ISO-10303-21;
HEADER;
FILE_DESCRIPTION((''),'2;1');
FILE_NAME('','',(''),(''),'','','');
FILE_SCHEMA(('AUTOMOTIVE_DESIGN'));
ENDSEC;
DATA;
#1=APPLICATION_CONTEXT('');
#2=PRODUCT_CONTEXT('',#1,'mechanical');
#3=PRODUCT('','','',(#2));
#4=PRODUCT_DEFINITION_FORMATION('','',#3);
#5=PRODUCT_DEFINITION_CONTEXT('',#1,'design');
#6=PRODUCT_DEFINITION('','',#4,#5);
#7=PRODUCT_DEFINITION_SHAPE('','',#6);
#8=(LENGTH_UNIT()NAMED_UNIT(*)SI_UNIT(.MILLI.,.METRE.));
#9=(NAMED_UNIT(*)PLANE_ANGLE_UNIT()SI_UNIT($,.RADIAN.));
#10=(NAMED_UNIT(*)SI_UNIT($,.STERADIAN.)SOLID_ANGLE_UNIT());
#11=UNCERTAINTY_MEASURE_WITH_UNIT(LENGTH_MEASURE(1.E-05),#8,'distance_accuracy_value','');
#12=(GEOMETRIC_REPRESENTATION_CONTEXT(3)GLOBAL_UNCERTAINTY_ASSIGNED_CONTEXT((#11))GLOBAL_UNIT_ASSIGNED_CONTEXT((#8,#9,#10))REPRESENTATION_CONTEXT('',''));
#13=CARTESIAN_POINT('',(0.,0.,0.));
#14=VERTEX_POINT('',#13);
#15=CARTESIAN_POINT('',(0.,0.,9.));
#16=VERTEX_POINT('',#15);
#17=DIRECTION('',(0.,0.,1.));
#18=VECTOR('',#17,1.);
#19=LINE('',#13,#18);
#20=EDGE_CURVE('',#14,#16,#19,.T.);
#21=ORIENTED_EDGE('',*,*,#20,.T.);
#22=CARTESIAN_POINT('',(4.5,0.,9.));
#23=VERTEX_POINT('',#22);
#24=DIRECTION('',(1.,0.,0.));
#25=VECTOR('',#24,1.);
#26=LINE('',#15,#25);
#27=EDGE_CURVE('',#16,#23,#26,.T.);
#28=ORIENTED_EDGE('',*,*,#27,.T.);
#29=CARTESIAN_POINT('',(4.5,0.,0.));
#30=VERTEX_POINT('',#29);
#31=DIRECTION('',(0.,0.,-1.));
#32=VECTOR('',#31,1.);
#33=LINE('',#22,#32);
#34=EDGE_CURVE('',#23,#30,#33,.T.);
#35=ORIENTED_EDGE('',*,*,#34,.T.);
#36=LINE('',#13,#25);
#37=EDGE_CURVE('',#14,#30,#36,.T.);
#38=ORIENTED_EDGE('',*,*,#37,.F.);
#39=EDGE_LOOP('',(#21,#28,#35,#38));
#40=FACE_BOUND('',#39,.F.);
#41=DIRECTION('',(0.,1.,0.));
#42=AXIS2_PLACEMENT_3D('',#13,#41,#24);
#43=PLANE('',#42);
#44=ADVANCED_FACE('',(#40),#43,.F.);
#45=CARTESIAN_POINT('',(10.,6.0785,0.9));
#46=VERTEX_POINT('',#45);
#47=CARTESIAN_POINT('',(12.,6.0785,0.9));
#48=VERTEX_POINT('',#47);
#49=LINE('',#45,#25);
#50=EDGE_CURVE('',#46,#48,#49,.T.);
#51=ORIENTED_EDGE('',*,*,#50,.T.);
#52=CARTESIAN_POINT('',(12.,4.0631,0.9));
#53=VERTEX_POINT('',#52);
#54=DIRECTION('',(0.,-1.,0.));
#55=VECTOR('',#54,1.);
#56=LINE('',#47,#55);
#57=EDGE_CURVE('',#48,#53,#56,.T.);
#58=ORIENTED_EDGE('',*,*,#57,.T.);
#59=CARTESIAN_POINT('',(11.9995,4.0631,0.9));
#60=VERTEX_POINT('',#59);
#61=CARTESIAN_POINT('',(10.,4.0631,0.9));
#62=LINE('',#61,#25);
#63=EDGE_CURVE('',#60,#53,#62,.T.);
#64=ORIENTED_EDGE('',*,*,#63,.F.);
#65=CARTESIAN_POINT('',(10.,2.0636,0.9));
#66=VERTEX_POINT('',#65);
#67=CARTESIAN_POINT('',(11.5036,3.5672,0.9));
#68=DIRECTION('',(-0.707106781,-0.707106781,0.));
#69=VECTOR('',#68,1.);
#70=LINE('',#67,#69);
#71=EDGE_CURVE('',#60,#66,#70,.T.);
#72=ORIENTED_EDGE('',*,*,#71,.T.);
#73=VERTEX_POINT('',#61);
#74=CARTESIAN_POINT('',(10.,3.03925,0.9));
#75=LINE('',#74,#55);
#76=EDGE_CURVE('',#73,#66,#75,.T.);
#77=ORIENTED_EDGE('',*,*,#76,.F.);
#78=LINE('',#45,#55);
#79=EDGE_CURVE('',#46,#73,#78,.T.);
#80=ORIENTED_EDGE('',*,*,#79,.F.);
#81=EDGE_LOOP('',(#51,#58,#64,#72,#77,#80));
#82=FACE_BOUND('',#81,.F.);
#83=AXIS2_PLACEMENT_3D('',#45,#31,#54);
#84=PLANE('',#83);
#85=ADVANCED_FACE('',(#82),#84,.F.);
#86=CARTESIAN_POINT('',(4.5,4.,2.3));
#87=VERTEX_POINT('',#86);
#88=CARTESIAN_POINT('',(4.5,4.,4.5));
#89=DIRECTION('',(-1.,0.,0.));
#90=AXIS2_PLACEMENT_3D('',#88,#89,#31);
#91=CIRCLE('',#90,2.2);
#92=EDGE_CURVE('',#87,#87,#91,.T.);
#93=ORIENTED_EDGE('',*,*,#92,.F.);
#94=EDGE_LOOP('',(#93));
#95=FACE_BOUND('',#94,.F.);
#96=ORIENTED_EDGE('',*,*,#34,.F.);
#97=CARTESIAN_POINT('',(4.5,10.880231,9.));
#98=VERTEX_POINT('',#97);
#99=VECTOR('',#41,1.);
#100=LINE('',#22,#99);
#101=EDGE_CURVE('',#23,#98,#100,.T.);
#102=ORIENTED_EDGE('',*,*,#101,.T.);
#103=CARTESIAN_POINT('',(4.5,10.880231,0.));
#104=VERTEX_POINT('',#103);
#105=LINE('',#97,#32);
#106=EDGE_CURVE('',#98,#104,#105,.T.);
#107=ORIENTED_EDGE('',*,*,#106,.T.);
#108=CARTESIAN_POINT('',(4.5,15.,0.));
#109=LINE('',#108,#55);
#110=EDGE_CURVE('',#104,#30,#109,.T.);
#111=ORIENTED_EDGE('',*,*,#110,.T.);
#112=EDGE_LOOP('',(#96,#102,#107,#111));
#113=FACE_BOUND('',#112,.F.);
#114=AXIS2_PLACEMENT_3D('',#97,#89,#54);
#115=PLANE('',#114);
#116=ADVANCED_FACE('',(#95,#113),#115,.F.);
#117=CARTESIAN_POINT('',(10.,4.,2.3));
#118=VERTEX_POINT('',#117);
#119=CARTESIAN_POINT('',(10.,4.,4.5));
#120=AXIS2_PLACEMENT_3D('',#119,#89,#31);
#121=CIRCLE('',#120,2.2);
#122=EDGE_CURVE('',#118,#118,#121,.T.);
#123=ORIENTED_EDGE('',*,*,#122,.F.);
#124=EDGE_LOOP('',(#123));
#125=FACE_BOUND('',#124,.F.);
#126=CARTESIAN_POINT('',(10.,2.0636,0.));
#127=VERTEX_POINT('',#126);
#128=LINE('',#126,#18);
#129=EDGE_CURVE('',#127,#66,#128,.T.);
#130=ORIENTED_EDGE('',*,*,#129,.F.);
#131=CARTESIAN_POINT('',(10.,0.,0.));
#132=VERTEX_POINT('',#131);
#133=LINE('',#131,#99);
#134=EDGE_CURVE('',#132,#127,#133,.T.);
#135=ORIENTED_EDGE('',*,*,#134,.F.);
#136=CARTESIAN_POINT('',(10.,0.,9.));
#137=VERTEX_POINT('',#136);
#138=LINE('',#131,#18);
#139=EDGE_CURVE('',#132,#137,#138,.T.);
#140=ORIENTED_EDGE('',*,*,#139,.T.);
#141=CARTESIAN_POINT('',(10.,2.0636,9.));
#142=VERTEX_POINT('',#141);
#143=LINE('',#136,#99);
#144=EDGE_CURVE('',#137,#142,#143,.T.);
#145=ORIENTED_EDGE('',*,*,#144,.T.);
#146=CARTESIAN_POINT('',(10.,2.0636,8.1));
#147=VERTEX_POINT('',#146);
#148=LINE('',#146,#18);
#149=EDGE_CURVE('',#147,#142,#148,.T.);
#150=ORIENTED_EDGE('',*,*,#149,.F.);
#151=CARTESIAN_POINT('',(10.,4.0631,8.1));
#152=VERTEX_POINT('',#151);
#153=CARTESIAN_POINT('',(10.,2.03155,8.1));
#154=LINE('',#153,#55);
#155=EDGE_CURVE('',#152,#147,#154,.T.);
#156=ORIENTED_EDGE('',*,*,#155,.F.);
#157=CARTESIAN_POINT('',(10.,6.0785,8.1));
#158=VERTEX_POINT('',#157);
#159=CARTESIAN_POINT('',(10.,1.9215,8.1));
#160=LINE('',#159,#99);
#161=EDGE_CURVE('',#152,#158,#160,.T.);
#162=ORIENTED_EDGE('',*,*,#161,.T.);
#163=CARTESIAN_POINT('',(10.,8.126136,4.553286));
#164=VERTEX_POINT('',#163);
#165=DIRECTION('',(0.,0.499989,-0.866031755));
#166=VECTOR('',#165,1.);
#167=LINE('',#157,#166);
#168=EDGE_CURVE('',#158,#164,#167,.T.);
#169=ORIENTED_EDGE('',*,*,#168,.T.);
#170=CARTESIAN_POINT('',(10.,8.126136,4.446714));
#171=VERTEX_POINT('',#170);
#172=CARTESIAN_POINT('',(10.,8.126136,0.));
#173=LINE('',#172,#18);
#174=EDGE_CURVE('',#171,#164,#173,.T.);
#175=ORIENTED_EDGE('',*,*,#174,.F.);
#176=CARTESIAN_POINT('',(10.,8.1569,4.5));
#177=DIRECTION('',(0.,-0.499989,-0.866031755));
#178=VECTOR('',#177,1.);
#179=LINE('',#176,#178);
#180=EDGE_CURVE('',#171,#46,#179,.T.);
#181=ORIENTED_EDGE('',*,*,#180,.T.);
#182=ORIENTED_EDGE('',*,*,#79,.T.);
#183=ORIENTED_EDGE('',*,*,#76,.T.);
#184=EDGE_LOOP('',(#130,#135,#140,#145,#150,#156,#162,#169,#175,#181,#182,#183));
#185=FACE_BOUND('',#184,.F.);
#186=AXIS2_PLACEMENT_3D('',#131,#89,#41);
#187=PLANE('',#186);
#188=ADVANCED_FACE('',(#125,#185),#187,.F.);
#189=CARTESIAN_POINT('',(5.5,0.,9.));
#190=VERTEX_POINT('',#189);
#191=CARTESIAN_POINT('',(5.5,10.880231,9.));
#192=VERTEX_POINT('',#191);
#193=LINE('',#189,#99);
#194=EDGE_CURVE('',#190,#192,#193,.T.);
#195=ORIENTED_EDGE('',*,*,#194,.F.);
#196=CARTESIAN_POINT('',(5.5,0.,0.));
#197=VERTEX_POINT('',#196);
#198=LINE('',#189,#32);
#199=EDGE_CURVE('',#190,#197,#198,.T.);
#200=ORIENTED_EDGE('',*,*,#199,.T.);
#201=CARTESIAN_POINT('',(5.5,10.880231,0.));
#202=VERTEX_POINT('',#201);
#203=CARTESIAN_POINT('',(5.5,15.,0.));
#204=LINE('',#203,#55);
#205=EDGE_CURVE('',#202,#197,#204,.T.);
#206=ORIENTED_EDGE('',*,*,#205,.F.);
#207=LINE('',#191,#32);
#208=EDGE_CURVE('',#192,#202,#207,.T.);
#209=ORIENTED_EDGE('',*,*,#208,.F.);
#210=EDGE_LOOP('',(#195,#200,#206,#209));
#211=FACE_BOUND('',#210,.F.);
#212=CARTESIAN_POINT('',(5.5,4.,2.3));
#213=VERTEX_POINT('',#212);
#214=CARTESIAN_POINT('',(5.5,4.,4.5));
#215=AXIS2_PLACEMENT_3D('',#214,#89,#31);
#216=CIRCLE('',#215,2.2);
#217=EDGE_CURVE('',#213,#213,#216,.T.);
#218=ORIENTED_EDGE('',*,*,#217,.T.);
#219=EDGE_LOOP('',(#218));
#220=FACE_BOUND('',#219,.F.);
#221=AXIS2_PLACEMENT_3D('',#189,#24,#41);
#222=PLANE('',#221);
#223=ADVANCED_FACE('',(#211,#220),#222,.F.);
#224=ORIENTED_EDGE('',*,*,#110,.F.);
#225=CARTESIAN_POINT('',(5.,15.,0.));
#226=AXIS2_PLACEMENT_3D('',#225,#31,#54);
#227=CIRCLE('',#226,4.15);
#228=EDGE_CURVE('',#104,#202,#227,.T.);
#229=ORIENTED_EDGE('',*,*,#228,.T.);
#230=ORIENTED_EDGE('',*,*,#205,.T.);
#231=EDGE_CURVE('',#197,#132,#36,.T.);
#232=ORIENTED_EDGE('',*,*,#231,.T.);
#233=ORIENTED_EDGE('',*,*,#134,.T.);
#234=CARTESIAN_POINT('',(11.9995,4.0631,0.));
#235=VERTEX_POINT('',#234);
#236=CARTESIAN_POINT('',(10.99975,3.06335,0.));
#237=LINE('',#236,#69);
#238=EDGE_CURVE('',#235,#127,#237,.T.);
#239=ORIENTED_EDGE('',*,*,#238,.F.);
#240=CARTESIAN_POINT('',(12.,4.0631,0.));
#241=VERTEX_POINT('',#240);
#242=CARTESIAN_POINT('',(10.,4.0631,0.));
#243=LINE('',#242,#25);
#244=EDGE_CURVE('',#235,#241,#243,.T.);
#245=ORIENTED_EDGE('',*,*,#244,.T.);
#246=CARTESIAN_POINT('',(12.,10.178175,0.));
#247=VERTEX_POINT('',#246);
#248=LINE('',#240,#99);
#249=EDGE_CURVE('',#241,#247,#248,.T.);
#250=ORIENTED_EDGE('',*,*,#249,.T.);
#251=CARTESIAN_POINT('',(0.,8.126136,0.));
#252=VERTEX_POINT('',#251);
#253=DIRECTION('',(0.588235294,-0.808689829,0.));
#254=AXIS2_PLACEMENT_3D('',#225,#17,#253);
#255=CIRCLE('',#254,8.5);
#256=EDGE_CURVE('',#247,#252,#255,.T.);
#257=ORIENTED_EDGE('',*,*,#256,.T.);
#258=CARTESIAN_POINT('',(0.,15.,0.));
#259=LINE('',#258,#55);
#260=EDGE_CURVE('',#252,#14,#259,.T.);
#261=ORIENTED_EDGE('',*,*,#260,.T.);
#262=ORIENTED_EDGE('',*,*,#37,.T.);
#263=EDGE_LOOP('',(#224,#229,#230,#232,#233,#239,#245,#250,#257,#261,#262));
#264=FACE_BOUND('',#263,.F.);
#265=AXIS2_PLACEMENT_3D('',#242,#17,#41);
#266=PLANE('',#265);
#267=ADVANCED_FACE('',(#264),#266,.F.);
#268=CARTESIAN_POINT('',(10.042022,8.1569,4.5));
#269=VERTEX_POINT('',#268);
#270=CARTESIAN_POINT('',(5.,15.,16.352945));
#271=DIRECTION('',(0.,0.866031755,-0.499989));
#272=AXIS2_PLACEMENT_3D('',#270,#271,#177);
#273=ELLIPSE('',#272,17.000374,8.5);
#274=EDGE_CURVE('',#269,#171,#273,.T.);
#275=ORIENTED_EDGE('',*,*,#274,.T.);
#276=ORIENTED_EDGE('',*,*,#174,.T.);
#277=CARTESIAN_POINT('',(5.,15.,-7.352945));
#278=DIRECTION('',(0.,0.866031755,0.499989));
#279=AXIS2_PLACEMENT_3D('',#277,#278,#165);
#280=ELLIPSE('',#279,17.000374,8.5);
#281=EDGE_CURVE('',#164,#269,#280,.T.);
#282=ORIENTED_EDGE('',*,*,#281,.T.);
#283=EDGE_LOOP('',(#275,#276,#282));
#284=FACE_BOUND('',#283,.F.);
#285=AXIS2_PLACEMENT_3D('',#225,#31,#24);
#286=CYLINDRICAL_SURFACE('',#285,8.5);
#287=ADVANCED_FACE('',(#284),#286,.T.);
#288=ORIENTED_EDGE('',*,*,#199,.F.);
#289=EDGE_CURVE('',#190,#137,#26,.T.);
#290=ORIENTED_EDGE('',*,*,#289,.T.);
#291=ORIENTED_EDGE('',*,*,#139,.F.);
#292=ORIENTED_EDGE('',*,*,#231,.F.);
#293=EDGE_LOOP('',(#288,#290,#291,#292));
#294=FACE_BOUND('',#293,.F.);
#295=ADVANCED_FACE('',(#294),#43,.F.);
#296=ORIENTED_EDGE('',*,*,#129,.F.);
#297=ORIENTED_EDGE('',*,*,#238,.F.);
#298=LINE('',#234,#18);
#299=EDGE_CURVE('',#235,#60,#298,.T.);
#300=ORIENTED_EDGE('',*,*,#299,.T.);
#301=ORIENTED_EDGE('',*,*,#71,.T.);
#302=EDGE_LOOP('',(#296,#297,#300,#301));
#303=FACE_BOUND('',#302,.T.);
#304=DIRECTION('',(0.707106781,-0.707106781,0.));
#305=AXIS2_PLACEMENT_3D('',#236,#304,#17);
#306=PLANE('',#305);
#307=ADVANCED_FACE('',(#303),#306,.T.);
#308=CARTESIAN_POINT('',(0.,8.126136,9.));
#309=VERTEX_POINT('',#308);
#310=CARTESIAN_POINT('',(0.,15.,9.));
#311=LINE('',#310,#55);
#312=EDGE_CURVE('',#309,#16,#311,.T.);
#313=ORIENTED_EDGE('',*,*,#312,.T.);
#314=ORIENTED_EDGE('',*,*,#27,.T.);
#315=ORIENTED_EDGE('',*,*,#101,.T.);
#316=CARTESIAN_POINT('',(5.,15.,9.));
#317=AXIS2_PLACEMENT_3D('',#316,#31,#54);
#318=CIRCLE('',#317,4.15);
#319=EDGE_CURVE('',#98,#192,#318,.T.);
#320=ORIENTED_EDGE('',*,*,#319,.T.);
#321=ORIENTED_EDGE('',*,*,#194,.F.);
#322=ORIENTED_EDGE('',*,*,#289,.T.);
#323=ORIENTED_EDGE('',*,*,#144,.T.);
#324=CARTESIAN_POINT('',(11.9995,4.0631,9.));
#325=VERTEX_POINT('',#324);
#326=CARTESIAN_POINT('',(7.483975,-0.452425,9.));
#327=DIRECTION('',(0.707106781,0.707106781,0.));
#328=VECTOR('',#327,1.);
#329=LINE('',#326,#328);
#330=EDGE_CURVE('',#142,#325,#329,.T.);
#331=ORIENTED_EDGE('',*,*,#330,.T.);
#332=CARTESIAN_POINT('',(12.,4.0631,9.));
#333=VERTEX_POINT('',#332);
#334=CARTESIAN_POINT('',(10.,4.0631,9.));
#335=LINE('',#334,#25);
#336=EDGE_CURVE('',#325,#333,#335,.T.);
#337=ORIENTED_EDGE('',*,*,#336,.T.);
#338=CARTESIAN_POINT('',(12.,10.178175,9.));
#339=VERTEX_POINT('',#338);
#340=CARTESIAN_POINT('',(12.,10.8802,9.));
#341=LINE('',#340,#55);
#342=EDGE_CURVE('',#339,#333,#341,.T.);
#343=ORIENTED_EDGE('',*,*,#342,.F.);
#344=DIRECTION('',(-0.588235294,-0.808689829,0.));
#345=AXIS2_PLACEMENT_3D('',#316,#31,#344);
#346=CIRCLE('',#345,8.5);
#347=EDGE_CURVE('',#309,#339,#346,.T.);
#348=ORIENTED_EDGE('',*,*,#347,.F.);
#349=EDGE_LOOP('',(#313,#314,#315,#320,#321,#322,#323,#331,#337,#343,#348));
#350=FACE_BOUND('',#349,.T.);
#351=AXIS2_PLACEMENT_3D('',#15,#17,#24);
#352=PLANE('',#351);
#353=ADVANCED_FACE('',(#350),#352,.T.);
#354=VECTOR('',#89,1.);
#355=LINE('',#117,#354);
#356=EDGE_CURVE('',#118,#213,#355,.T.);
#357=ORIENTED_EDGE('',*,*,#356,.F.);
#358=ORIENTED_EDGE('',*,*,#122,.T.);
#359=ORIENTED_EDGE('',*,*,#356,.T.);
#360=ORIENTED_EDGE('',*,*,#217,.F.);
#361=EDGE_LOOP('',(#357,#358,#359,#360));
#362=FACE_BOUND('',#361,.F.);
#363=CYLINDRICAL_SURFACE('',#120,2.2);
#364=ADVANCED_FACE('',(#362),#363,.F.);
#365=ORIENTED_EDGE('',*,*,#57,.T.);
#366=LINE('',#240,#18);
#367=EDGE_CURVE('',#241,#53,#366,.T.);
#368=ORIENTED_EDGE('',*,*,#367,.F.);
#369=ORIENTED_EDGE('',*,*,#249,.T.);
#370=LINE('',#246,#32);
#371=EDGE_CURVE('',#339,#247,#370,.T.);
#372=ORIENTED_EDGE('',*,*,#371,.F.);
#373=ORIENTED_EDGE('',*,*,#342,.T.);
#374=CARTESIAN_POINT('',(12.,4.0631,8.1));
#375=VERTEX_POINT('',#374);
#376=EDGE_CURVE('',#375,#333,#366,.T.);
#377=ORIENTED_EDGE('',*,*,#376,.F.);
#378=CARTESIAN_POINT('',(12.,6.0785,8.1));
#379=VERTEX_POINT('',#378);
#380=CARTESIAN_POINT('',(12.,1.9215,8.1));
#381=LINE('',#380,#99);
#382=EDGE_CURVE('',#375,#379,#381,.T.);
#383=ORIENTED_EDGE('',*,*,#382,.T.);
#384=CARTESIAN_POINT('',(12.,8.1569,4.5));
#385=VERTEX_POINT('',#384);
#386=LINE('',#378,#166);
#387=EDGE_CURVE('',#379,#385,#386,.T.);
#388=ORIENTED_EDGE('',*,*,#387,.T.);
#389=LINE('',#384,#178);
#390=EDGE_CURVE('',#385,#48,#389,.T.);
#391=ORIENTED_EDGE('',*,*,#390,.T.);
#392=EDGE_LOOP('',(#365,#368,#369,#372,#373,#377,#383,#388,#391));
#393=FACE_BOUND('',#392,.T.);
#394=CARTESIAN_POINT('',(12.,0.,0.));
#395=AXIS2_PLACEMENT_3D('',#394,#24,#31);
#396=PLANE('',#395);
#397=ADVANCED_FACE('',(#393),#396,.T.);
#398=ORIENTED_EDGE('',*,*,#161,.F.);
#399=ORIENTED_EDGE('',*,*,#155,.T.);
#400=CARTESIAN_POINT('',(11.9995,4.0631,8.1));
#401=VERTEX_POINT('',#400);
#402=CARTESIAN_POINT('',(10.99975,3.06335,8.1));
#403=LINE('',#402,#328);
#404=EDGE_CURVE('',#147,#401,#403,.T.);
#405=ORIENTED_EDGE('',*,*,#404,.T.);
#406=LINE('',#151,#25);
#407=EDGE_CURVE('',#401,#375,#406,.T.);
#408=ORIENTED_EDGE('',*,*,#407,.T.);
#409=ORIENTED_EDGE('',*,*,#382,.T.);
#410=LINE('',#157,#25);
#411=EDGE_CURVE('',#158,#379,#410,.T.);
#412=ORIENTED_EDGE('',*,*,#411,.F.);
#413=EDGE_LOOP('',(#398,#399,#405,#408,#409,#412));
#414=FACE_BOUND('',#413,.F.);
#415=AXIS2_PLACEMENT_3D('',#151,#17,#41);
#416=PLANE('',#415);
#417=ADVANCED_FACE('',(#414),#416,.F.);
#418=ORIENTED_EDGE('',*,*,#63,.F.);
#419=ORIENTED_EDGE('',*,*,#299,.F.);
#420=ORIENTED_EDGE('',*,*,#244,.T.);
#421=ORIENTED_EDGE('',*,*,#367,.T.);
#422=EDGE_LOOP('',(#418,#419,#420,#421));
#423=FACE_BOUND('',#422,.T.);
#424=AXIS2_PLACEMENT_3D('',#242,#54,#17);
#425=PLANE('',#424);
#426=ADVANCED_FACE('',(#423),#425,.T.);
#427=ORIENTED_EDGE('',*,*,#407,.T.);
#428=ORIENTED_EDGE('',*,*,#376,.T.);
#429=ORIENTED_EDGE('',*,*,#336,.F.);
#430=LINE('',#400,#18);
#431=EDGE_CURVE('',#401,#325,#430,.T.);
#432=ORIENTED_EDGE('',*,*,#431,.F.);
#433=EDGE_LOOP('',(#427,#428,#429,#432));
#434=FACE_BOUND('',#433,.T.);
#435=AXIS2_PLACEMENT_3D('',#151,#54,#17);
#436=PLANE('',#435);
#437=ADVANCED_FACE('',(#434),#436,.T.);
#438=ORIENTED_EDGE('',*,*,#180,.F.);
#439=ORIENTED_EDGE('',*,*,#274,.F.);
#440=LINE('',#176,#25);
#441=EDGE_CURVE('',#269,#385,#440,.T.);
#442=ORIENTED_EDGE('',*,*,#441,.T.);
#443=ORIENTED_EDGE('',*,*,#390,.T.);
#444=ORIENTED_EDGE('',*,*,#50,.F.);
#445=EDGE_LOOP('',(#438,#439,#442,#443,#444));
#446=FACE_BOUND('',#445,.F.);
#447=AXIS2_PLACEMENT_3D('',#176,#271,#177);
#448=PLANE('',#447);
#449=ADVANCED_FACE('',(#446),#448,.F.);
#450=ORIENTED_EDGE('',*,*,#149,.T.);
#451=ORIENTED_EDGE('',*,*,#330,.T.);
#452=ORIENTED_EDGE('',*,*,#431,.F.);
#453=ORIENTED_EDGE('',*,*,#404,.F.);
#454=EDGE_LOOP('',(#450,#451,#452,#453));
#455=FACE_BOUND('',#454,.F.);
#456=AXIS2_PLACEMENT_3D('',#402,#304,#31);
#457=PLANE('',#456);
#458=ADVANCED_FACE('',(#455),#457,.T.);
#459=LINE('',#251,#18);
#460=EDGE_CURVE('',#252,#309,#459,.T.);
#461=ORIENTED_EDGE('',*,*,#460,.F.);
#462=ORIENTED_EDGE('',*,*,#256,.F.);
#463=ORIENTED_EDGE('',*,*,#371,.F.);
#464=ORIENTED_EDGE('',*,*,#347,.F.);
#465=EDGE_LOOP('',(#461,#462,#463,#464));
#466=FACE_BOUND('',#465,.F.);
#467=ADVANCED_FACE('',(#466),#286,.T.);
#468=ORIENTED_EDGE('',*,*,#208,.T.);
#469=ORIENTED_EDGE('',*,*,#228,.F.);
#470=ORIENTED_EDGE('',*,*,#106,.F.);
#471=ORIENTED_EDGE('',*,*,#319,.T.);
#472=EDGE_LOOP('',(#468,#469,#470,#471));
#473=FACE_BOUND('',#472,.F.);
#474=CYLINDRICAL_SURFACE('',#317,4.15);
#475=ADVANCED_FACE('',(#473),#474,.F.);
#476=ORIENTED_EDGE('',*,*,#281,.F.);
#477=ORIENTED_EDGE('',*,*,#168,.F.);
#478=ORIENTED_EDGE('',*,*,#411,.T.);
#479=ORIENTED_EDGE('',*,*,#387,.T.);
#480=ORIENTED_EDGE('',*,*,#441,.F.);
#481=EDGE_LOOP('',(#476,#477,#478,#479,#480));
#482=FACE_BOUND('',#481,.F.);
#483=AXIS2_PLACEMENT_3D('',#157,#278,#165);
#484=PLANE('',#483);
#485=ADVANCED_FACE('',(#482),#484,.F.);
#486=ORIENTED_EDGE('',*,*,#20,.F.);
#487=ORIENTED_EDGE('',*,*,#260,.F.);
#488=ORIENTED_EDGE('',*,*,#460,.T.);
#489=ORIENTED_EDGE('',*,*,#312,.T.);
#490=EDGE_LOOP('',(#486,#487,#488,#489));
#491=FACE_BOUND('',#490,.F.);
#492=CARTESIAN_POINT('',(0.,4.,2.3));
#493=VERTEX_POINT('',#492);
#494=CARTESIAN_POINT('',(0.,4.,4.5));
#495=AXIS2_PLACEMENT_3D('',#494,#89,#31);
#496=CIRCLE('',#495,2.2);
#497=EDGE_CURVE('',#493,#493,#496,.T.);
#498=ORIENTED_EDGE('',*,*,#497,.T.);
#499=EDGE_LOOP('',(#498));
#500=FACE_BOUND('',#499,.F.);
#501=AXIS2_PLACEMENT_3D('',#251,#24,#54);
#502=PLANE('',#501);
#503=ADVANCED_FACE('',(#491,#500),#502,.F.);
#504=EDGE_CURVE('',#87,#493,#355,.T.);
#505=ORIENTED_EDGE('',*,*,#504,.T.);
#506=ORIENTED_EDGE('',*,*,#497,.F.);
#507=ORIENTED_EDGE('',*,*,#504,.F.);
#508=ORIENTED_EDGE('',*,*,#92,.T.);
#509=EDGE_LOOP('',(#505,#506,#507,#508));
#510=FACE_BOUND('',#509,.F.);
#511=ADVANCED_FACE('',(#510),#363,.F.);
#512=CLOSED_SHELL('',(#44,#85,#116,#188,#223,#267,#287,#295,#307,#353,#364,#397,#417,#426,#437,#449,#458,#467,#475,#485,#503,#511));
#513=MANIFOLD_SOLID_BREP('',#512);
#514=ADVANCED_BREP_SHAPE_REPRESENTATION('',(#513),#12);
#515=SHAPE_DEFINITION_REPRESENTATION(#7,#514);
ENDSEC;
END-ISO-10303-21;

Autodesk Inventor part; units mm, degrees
ref_plane "YZ Plane" through (0, 0, 0) normal (1, 0, 0) x (0, 1, 0)
ref_plane "XZ Plane" through (0, 0, 0) normal (0, 1, 0) x (-1, 0, 0)
ref_plane "XY Plane" through (0, 0, 0) normal (0, 0, 1) x (1, 0, 0)
sketch "スケッチ1" plane through (0, 0, 0) normal (0, 0, 1) x (1, 0, 0)
  line L0 (0, 0) -> (10, 0)
  line L1 (10, 0) -> (10, 15)
  line L2 (10, 15) -> (0, 15)
  line L3 (0, 15) -> (0, 0)
  circle A0 centre (5, 15) radius 8.5
  point P0 (0, 8.1261)
  point P1 (10, 8.1261)
  dimension "d0" = 15
  dimension "d1" = 17
  dimension "d27" = 10
  dimension "d28" = 5
extrude "押し出し1" add sketch "スケッチ1" along normal blind 9
sketch "スケッチ2" plane through (0, 0, 9) normal (0, 0, 1) x (1, 0, 0)
  arc A0 (10, 8.1261) -> (0, 8.1261) centre (5, 15) ccw projected
  point P0 (0, 0)
hole "穴1" at (5, 15, 9) direction (0, 0, -1) diameter 8.3 end through all
sketch "スケッチ3" plane through (0, 0, 9) normal (0, 0, 1) x (1, 0, 0)
  line L0 (0, 0) -> (10, 0) projected
  line L1 (4.5, 0) -> (5.5, 0)
  line L2 (5.5, 0) -> (5.5, 15)
  line L3 (5.5, 15) -> (4.5, 15)
  line L4 (4.5, 15) -> (4.5, 0)
  line L5 (0, 8.1261) -> (0, 0) projected
  circle A0 centre (5, 15) radius 4.15 projected
  point P0 (5, 0)
  point P1 (5, 0)
  dimension "d14" = 1
extrude "押し出し2" cut sketch "スケッチ3" against normal up to surface (9 mm away) contours L4 A0 L2 L0 | L4 L3 L2 A0 picked at (4.9443, 13.6178)
sketch "スケッチ4" plane through (10, 0, 0) normal (1, 0, 0) x (0, 0, -1)
  circle A0 centre (-4.5, 4) radius 1.5
  line L0 (0, 0) -> (-9, 0) projected
  line L1 (0, 0) -> (0, 8.1261) projected
  line L2 (-4.5, 0) -> (-4.5, 10)
  point P0 (0, 10)
  dimension "d17" = 4
  dimension "d19" = 3
hole "穴2" at (10, 4, 4.5) direction (-1, 0, 0) diameter 4.4 end through all
sketch "スケッチ7" plane through (10, 0, 0) normal (1, 0, 0) x (0, 0, -1)
  circle A0 centre (-4.5, 4) radius 2.2 projected
  line L0 (-4.5, 8.1569) -> (-0.9, 6.0785)
  line L1 (-0.9, 6.0785) -> (-0.9, 1.9215)
  line L2 (-0.9, 1.9215) -> (-4.5, -0.1569)
  line L3 (-4.5, -0.1569) -> (-8.1, 1.9215)
  line L4 (-8.1, 1.9215) -> (-8.1, 6.0785)
  line L5 (-8.1, 6.0785) -> (-4.5, 8.1569)
  line L6 (-9, 10.8802) -> (-9, 0) projected
  line L7 (0, 0) -> (0, 8.1261) projected
  line L8 (-9, 10.8802) -> (0, 10.8802)
  line L9 (0, 10.8802) -> (0, 4.0631)
  line L10 (0, 4.0631) -> (-9, 4.0631)
  line L11 (-9, 4.0631) -> (-9, 10.8802)
  point P0 (-4.5, 4)
  point P1 (-0.9, 4.0631)
  point P2 (-8.1, 4.0631)
  dimension "d35" = 7.2
extrude "押し出し5" add sketch "スケッチ7" along normal blind 2 contours L1 L0 L5 L4 L10 L6 L8 L9 L7
chamfer "面取り1" distance 2 angle 45 2 edges at (10, 4.0631, 8.55) (10, 4.0631, 0.45)
equation "\"d28\" = 0.5 * d27"
properties part number "軸止め" material "ABS プラスチック"
